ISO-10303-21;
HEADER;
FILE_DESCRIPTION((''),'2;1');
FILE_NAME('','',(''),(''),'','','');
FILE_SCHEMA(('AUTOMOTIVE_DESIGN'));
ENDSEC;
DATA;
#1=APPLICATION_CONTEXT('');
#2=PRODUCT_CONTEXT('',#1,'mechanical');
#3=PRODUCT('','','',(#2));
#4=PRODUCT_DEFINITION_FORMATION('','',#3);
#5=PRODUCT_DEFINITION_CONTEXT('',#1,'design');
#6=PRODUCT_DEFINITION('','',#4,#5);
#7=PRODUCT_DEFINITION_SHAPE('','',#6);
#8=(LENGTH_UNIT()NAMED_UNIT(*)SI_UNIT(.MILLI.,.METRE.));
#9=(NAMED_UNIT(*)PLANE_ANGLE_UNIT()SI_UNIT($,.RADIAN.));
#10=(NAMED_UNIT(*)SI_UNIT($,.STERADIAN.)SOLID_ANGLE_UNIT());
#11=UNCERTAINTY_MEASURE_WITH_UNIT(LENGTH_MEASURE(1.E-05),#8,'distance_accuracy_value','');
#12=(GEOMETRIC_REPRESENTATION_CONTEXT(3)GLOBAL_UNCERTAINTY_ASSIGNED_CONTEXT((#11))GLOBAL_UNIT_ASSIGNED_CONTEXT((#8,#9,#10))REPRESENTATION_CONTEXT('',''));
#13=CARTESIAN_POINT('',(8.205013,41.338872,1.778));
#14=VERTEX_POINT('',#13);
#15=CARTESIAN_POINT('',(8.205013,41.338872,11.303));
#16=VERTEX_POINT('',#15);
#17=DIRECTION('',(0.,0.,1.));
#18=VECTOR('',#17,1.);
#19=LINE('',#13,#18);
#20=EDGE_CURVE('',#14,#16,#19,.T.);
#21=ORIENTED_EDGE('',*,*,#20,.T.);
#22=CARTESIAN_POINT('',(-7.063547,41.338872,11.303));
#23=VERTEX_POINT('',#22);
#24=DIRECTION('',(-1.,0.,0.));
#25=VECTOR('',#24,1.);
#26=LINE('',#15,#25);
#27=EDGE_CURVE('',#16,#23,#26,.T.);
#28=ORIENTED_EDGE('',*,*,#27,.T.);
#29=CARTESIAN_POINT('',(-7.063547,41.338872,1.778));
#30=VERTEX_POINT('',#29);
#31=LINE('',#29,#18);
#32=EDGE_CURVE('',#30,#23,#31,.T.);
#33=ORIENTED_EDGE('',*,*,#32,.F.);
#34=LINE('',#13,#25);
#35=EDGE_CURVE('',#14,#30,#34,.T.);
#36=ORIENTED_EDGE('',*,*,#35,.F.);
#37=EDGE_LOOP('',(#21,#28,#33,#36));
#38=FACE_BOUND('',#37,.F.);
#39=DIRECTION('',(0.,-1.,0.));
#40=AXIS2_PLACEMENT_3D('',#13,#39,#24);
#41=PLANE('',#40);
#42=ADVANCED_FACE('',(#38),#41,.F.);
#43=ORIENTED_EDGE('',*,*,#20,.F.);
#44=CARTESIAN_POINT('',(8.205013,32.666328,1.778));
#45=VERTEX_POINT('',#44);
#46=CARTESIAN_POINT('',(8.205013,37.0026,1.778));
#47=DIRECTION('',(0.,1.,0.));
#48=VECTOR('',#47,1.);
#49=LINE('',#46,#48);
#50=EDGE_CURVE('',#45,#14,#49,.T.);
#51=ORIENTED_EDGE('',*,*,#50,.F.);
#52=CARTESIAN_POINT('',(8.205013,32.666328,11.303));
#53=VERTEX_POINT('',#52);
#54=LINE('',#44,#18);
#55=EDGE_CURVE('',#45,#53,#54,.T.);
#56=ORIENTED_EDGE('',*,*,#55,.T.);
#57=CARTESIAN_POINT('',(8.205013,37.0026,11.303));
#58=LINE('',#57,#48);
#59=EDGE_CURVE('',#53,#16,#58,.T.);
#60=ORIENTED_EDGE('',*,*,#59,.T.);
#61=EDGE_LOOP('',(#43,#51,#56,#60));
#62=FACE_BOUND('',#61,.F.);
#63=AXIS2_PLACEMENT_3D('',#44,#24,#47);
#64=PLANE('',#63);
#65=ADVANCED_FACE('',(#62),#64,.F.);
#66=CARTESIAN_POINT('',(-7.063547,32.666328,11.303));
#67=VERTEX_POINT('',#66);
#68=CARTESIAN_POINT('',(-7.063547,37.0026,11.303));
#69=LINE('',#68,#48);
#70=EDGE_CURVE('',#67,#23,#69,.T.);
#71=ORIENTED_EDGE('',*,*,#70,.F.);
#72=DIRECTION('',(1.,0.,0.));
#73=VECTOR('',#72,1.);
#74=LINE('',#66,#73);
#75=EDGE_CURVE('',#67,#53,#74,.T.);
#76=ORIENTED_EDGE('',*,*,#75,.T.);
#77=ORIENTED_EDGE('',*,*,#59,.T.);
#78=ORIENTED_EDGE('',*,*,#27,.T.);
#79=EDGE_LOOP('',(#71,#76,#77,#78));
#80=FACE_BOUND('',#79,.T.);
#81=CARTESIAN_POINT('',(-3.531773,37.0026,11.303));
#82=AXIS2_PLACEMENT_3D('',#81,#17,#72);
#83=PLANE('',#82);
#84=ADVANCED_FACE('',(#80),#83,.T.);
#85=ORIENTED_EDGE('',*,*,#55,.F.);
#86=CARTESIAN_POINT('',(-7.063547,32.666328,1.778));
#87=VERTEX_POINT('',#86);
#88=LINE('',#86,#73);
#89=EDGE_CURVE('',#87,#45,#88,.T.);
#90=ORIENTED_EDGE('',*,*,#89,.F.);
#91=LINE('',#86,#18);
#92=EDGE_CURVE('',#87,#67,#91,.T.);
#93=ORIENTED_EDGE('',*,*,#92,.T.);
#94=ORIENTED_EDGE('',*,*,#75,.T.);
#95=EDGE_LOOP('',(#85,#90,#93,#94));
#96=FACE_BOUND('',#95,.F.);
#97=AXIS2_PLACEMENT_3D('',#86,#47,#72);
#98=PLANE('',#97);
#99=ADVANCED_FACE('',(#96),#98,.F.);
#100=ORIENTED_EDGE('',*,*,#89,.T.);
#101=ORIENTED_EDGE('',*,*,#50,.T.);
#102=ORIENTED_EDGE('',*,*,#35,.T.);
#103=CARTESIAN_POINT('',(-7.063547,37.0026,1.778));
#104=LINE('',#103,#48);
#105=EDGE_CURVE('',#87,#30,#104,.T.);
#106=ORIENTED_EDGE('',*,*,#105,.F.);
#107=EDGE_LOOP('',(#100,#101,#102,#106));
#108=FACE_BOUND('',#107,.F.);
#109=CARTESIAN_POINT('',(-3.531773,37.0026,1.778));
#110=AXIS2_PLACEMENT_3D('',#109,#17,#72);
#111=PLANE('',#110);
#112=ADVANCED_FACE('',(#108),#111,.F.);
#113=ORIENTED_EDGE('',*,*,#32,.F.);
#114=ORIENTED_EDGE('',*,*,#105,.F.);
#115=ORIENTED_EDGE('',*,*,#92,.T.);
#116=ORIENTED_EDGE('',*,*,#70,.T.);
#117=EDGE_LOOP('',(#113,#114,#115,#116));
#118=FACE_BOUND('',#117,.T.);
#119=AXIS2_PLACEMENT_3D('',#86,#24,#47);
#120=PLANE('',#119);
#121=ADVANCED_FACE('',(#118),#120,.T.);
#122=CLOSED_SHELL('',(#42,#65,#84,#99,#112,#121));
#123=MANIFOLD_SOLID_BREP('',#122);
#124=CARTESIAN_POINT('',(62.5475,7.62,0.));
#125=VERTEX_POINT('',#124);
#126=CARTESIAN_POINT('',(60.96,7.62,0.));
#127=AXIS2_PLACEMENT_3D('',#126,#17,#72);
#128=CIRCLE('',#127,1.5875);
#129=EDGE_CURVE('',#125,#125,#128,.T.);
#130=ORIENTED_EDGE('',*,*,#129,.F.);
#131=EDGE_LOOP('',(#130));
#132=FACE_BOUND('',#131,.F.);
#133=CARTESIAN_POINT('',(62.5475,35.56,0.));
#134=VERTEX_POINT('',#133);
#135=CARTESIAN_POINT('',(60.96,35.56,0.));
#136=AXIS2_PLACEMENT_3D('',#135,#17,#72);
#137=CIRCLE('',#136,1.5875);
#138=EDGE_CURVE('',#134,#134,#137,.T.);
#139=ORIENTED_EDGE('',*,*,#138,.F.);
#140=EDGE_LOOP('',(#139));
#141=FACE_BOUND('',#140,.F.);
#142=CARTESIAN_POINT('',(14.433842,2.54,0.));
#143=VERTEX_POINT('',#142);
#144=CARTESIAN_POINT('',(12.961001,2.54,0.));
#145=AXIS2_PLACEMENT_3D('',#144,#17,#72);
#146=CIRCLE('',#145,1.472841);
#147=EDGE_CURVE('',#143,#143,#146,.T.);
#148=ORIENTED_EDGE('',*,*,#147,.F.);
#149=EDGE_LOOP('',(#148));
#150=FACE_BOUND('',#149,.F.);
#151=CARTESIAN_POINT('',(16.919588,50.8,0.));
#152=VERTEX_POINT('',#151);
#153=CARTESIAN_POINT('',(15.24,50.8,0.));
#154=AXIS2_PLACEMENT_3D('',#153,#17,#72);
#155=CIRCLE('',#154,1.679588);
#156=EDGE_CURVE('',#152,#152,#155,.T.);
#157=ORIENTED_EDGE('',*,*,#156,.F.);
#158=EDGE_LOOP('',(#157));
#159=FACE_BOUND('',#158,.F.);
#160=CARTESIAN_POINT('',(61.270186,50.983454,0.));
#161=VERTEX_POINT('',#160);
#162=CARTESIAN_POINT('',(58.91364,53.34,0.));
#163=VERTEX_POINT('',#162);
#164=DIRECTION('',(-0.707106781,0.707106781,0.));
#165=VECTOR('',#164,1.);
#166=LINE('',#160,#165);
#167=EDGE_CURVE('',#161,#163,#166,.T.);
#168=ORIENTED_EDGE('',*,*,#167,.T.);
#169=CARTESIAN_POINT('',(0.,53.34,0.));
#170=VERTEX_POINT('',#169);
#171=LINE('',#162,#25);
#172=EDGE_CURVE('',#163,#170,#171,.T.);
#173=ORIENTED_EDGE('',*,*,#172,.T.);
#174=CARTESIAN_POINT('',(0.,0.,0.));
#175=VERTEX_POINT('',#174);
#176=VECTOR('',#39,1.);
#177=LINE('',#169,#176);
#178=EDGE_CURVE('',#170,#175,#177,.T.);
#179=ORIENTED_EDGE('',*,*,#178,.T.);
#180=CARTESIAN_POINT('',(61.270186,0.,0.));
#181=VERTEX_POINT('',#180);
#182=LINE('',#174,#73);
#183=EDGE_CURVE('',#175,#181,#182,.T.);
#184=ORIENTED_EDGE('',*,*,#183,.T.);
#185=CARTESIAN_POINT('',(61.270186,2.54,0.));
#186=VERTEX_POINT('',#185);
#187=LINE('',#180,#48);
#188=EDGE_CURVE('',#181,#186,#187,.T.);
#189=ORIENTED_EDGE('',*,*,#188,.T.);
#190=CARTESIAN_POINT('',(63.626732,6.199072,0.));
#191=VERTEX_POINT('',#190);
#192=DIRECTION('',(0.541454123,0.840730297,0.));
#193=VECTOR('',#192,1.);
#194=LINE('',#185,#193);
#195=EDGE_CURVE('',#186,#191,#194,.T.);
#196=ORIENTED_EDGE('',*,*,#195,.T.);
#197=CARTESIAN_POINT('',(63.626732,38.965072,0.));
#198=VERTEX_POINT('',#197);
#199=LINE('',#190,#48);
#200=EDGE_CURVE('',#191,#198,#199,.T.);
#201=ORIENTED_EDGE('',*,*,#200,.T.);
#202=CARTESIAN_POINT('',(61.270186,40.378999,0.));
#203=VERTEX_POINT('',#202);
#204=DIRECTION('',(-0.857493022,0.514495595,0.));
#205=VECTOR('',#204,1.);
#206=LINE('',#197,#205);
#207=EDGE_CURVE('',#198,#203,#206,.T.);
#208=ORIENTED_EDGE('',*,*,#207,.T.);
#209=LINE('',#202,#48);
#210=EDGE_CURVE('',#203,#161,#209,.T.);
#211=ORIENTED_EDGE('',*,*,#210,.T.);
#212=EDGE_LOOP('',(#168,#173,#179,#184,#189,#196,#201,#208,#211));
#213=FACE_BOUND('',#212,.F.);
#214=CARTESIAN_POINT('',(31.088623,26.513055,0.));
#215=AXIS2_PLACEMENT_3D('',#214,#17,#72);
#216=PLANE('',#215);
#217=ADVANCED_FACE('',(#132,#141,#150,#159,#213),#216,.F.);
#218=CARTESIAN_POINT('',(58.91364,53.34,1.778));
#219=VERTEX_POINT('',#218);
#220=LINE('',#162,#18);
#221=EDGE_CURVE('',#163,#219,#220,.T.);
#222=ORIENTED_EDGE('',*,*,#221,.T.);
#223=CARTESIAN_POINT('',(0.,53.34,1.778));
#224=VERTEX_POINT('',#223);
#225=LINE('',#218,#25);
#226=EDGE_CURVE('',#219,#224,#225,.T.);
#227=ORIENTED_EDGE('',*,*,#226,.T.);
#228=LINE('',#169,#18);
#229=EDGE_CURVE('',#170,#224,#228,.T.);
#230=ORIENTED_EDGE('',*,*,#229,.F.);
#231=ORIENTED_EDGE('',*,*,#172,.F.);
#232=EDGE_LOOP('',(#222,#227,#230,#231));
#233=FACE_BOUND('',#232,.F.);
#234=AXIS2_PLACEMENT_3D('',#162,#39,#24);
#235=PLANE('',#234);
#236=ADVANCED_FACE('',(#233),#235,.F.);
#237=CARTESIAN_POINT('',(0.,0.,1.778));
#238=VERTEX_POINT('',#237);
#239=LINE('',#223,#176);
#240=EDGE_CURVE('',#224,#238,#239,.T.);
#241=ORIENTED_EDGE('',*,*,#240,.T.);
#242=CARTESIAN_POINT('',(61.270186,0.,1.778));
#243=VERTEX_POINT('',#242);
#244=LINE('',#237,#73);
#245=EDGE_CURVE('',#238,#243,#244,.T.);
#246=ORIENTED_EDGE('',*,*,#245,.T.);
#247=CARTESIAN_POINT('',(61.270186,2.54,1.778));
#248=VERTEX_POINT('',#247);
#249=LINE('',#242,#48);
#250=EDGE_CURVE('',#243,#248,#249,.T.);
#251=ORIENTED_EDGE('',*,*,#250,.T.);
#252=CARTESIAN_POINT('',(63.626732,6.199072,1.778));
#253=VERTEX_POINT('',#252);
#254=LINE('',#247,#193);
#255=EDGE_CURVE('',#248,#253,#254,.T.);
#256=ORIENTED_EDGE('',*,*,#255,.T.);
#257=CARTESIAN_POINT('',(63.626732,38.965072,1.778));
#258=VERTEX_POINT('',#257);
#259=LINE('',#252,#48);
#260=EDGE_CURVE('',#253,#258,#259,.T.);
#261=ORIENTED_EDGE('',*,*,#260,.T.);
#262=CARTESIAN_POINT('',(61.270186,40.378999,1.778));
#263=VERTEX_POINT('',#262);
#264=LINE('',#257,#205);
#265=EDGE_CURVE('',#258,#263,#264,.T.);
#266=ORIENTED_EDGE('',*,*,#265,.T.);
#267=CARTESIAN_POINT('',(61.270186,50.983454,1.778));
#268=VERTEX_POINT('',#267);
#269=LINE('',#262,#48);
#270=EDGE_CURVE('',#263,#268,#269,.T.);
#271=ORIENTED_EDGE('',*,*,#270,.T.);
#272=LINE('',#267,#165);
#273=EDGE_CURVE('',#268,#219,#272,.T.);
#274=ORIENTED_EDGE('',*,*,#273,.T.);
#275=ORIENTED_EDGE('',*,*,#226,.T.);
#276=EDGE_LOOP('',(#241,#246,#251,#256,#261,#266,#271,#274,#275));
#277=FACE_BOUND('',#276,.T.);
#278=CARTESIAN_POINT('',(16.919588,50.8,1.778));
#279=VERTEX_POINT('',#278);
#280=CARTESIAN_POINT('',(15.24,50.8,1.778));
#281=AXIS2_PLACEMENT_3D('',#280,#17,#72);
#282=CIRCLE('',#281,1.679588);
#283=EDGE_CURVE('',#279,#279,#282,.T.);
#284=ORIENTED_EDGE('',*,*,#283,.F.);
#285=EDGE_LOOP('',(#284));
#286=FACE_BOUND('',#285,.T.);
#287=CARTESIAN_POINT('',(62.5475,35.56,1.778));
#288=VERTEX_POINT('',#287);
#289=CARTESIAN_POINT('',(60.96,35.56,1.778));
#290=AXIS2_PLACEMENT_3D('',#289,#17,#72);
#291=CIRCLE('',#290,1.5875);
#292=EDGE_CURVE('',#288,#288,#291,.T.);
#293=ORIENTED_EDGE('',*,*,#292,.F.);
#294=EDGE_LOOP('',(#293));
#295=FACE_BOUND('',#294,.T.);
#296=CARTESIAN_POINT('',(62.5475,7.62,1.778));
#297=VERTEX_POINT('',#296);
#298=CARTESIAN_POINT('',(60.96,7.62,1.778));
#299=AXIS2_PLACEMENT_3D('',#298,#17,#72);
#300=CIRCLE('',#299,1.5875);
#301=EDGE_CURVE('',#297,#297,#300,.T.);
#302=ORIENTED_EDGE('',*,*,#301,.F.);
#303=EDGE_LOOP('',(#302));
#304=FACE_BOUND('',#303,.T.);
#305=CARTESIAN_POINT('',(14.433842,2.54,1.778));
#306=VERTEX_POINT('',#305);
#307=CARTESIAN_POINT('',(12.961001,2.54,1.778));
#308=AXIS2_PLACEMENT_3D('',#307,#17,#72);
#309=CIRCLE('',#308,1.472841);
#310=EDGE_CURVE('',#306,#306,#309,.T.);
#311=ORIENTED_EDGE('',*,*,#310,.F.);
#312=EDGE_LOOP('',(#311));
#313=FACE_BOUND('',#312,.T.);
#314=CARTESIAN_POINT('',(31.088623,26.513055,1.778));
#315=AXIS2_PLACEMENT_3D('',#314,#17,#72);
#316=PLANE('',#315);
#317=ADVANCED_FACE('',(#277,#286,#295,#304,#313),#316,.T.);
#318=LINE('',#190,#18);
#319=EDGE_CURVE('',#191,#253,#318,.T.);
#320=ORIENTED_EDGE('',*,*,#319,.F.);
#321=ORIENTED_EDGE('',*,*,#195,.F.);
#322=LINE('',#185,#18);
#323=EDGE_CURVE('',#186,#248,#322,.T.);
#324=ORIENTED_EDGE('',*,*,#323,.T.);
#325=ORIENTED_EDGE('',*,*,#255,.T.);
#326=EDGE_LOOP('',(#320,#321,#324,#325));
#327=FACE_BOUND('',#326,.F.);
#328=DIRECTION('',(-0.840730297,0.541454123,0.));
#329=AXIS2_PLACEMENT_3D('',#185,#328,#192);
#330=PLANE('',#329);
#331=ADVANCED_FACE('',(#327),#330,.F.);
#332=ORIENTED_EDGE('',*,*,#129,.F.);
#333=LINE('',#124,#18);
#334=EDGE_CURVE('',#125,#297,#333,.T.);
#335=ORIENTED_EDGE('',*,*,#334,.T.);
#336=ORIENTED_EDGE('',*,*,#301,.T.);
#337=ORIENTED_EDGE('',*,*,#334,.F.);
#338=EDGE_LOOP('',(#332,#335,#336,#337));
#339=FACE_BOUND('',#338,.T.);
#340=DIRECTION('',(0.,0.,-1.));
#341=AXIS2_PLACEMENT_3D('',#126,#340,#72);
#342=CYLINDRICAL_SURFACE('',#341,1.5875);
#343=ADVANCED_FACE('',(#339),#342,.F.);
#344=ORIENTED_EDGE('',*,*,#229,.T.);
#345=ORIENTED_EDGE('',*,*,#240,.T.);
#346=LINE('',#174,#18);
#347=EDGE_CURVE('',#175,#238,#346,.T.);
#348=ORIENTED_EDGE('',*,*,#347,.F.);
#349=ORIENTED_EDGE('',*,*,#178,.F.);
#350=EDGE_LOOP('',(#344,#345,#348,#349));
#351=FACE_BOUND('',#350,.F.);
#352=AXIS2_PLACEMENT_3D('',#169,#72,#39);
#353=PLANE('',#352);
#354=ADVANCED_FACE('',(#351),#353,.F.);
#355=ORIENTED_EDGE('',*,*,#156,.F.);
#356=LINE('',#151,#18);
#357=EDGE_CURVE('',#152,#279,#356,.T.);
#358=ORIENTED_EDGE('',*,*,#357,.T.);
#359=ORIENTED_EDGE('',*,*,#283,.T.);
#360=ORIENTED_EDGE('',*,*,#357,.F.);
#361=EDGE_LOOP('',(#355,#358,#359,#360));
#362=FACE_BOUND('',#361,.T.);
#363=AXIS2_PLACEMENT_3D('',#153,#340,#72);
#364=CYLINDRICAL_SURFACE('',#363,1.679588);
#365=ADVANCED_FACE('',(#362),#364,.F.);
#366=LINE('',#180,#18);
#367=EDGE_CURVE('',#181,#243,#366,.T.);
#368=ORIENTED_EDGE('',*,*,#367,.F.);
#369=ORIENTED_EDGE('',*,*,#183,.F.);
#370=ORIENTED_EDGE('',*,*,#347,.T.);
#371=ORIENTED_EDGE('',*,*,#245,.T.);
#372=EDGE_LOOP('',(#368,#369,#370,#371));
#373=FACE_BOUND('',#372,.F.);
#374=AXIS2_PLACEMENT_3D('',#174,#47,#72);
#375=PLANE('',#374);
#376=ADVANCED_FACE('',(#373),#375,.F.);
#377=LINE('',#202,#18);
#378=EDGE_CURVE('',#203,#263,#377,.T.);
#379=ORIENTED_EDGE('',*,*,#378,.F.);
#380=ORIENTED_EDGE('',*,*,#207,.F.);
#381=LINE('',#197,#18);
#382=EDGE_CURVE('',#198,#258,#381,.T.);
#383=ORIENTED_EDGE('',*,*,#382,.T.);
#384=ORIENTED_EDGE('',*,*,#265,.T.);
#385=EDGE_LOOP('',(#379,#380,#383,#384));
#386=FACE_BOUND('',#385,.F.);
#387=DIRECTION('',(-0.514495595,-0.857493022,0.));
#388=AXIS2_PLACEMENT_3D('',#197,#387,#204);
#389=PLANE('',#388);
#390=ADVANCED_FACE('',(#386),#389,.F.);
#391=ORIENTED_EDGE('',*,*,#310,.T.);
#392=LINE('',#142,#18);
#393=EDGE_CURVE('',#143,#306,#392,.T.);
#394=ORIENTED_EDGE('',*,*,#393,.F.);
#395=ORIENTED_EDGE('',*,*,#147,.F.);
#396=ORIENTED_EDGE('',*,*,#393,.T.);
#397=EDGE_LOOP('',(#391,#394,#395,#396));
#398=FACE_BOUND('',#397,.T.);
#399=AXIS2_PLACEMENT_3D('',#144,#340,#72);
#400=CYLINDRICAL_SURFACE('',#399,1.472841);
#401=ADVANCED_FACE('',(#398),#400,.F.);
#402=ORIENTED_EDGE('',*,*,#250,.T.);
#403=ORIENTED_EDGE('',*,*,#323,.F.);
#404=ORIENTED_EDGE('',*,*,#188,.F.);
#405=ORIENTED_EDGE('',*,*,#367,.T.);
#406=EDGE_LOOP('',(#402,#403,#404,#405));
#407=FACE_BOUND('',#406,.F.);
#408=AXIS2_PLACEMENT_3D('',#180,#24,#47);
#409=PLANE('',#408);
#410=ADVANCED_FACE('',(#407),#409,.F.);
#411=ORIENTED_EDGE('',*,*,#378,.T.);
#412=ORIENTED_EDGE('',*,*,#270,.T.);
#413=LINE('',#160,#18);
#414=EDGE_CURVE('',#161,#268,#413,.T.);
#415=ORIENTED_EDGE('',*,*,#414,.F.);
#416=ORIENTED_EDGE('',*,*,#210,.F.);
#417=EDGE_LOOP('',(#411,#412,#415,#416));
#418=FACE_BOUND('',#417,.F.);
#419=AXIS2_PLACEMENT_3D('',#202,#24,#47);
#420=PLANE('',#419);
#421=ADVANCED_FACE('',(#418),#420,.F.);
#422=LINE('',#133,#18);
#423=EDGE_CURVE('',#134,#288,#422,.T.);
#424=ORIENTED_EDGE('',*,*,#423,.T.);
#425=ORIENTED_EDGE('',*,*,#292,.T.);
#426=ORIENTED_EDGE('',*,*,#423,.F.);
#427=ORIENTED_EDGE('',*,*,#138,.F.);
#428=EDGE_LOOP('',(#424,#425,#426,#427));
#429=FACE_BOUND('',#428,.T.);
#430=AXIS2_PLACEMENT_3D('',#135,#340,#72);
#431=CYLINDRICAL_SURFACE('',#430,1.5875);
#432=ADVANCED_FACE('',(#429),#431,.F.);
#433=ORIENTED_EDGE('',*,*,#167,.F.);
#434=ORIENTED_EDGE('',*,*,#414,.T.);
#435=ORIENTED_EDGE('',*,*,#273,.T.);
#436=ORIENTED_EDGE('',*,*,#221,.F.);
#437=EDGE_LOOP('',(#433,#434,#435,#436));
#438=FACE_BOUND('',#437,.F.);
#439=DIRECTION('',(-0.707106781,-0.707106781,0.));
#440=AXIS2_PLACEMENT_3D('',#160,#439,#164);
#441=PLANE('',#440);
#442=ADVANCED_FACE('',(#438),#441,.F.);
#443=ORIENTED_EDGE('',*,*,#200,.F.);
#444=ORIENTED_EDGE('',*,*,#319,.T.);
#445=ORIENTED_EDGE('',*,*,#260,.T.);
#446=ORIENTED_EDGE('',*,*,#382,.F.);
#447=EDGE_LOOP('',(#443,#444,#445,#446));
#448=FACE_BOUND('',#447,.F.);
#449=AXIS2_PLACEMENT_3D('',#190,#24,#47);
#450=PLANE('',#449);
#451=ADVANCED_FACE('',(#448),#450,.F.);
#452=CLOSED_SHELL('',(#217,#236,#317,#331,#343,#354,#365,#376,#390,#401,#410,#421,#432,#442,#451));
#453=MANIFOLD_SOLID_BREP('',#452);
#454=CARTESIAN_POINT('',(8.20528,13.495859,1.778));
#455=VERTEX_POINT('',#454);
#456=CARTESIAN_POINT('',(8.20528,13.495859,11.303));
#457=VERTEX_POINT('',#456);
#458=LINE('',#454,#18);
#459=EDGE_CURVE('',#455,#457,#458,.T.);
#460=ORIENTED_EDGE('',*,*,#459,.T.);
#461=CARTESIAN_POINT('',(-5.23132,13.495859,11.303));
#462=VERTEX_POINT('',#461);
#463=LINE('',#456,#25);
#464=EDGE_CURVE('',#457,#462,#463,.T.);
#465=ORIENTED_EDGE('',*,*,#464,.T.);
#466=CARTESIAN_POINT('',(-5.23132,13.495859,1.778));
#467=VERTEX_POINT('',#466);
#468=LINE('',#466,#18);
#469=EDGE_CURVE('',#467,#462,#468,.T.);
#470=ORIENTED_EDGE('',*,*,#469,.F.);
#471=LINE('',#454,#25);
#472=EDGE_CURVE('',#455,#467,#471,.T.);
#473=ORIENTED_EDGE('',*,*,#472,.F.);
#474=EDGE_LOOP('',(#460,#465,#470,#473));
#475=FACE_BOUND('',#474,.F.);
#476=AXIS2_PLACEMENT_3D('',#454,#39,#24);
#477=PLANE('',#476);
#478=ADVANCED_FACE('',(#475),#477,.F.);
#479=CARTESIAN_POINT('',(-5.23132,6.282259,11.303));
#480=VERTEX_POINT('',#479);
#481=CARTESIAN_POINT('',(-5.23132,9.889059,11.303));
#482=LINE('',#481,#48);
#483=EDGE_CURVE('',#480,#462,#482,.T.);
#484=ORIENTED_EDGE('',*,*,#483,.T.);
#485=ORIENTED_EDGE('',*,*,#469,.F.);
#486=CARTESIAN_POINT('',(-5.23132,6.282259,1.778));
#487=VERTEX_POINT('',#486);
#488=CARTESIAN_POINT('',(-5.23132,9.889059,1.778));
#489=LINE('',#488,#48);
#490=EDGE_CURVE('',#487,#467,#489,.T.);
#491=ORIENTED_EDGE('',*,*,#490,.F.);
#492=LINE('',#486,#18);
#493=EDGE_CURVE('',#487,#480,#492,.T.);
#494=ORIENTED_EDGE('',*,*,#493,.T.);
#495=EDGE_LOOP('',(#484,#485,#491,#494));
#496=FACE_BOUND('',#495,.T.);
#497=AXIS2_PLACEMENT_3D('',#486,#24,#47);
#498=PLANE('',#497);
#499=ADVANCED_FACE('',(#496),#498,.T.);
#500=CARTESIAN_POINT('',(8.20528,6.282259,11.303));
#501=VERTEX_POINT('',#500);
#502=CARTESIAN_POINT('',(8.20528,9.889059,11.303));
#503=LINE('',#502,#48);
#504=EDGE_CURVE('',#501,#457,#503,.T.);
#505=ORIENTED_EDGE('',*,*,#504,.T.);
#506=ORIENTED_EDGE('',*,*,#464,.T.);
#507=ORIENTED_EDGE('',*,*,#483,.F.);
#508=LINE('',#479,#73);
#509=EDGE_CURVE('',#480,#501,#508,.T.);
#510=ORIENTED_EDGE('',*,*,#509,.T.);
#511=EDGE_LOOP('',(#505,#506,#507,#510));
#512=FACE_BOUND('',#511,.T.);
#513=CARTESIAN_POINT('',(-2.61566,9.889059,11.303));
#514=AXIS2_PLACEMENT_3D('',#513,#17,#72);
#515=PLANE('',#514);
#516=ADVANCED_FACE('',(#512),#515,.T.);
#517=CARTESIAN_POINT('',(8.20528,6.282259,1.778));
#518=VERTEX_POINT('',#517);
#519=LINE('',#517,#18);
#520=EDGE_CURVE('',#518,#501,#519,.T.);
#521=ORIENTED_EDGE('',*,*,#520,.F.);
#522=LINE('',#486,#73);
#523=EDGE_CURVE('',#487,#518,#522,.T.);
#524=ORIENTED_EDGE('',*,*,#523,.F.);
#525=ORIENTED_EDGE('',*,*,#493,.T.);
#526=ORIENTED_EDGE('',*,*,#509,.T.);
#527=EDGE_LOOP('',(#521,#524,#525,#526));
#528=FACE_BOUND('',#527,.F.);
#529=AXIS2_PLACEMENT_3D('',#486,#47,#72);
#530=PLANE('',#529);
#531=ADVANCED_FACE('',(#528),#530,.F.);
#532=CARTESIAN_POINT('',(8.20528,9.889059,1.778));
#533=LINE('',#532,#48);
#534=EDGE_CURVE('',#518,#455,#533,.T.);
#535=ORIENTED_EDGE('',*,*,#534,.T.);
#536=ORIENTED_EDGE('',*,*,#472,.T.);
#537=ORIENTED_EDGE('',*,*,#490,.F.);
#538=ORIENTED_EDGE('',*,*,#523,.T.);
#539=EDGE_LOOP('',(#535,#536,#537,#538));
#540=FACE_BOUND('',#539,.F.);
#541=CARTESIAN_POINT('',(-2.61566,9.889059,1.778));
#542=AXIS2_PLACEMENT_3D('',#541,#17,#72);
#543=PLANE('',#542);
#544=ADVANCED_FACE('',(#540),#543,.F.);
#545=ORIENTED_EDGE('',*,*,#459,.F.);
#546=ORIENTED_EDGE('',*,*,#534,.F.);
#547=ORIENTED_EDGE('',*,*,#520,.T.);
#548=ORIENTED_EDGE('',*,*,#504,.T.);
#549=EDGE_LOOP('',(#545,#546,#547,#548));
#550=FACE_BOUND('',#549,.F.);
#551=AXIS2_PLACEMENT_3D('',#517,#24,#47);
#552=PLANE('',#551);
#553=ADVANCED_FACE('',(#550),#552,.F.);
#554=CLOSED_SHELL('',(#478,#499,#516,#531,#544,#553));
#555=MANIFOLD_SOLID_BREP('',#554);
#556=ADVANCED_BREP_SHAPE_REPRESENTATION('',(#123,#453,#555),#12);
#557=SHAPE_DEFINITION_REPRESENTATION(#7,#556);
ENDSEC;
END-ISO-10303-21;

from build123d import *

# Parameters (mm, degrees)
F0_R     = 1.472841
F0_R_2   = 1.5875
F0_R_3   = 1.679588
F1_DEPTH = 1.778
F2_W     = 7.063547
F2_H     = 8.672543
F2_W_2   = 5.23132
F2_H_2   = 7.2136
F2_W_3   = 8.205013
F2_W_4   = 8.20528
F3_DEPTH = 9.525


with BuildPart() as f1:
    # F0 (on Top) → F1 (new body)
    with BuildSketch(Plane.XY):
        Polygon((0, 53.34), (0, 0), (61.270186, 0), (61.270186, 2.54), (63.626732, 6.199072), (63.626732, 38.965072), (61.270186, 40.378999), (61.270186, 50.983454), (58.91364, 53.34), align=None)
        with Locations((12.961001, 2.54)):
            Circle(F0_R, mode=Mode.SUBTRACT)
        with Locations((60.96, 7.62)):
            Circle(F0_R_2, mode=Mode.SUBTRACT)
        with Locations((15.24, 50.8)):
            Circle(F0_R_3, mode=Mode.SUBTRACT)
        with Locations((60.96, 35.56)):
            Circle(F0_R_2, mode=Mode.SUBTRACT)
    extrude(amount=F1_DEPTH)


with BuildPart() as f3:
    # F2 (on face) → F3 (new body)
    with BuildSketch(Plane.XY.offset(1.778)):
        with Locations((-3.531773, 37.0026)):
            Rectangle(F2_W, F2_H)
        with Locations((-2.61566, 9.889059)):
            Rectangle(F2_W_2, F2_H_2)
        with Locations((4.102506, 37.0026)):
            Rectangle(F2_W_3, F2_H)
        with Locations((4.10264, 9.889059)):
            Rectangle(F2_W_4, F2_H_2)
    extrude(amount=F3_DEPTH)


solid = Compound([f1.part, f3.part])
